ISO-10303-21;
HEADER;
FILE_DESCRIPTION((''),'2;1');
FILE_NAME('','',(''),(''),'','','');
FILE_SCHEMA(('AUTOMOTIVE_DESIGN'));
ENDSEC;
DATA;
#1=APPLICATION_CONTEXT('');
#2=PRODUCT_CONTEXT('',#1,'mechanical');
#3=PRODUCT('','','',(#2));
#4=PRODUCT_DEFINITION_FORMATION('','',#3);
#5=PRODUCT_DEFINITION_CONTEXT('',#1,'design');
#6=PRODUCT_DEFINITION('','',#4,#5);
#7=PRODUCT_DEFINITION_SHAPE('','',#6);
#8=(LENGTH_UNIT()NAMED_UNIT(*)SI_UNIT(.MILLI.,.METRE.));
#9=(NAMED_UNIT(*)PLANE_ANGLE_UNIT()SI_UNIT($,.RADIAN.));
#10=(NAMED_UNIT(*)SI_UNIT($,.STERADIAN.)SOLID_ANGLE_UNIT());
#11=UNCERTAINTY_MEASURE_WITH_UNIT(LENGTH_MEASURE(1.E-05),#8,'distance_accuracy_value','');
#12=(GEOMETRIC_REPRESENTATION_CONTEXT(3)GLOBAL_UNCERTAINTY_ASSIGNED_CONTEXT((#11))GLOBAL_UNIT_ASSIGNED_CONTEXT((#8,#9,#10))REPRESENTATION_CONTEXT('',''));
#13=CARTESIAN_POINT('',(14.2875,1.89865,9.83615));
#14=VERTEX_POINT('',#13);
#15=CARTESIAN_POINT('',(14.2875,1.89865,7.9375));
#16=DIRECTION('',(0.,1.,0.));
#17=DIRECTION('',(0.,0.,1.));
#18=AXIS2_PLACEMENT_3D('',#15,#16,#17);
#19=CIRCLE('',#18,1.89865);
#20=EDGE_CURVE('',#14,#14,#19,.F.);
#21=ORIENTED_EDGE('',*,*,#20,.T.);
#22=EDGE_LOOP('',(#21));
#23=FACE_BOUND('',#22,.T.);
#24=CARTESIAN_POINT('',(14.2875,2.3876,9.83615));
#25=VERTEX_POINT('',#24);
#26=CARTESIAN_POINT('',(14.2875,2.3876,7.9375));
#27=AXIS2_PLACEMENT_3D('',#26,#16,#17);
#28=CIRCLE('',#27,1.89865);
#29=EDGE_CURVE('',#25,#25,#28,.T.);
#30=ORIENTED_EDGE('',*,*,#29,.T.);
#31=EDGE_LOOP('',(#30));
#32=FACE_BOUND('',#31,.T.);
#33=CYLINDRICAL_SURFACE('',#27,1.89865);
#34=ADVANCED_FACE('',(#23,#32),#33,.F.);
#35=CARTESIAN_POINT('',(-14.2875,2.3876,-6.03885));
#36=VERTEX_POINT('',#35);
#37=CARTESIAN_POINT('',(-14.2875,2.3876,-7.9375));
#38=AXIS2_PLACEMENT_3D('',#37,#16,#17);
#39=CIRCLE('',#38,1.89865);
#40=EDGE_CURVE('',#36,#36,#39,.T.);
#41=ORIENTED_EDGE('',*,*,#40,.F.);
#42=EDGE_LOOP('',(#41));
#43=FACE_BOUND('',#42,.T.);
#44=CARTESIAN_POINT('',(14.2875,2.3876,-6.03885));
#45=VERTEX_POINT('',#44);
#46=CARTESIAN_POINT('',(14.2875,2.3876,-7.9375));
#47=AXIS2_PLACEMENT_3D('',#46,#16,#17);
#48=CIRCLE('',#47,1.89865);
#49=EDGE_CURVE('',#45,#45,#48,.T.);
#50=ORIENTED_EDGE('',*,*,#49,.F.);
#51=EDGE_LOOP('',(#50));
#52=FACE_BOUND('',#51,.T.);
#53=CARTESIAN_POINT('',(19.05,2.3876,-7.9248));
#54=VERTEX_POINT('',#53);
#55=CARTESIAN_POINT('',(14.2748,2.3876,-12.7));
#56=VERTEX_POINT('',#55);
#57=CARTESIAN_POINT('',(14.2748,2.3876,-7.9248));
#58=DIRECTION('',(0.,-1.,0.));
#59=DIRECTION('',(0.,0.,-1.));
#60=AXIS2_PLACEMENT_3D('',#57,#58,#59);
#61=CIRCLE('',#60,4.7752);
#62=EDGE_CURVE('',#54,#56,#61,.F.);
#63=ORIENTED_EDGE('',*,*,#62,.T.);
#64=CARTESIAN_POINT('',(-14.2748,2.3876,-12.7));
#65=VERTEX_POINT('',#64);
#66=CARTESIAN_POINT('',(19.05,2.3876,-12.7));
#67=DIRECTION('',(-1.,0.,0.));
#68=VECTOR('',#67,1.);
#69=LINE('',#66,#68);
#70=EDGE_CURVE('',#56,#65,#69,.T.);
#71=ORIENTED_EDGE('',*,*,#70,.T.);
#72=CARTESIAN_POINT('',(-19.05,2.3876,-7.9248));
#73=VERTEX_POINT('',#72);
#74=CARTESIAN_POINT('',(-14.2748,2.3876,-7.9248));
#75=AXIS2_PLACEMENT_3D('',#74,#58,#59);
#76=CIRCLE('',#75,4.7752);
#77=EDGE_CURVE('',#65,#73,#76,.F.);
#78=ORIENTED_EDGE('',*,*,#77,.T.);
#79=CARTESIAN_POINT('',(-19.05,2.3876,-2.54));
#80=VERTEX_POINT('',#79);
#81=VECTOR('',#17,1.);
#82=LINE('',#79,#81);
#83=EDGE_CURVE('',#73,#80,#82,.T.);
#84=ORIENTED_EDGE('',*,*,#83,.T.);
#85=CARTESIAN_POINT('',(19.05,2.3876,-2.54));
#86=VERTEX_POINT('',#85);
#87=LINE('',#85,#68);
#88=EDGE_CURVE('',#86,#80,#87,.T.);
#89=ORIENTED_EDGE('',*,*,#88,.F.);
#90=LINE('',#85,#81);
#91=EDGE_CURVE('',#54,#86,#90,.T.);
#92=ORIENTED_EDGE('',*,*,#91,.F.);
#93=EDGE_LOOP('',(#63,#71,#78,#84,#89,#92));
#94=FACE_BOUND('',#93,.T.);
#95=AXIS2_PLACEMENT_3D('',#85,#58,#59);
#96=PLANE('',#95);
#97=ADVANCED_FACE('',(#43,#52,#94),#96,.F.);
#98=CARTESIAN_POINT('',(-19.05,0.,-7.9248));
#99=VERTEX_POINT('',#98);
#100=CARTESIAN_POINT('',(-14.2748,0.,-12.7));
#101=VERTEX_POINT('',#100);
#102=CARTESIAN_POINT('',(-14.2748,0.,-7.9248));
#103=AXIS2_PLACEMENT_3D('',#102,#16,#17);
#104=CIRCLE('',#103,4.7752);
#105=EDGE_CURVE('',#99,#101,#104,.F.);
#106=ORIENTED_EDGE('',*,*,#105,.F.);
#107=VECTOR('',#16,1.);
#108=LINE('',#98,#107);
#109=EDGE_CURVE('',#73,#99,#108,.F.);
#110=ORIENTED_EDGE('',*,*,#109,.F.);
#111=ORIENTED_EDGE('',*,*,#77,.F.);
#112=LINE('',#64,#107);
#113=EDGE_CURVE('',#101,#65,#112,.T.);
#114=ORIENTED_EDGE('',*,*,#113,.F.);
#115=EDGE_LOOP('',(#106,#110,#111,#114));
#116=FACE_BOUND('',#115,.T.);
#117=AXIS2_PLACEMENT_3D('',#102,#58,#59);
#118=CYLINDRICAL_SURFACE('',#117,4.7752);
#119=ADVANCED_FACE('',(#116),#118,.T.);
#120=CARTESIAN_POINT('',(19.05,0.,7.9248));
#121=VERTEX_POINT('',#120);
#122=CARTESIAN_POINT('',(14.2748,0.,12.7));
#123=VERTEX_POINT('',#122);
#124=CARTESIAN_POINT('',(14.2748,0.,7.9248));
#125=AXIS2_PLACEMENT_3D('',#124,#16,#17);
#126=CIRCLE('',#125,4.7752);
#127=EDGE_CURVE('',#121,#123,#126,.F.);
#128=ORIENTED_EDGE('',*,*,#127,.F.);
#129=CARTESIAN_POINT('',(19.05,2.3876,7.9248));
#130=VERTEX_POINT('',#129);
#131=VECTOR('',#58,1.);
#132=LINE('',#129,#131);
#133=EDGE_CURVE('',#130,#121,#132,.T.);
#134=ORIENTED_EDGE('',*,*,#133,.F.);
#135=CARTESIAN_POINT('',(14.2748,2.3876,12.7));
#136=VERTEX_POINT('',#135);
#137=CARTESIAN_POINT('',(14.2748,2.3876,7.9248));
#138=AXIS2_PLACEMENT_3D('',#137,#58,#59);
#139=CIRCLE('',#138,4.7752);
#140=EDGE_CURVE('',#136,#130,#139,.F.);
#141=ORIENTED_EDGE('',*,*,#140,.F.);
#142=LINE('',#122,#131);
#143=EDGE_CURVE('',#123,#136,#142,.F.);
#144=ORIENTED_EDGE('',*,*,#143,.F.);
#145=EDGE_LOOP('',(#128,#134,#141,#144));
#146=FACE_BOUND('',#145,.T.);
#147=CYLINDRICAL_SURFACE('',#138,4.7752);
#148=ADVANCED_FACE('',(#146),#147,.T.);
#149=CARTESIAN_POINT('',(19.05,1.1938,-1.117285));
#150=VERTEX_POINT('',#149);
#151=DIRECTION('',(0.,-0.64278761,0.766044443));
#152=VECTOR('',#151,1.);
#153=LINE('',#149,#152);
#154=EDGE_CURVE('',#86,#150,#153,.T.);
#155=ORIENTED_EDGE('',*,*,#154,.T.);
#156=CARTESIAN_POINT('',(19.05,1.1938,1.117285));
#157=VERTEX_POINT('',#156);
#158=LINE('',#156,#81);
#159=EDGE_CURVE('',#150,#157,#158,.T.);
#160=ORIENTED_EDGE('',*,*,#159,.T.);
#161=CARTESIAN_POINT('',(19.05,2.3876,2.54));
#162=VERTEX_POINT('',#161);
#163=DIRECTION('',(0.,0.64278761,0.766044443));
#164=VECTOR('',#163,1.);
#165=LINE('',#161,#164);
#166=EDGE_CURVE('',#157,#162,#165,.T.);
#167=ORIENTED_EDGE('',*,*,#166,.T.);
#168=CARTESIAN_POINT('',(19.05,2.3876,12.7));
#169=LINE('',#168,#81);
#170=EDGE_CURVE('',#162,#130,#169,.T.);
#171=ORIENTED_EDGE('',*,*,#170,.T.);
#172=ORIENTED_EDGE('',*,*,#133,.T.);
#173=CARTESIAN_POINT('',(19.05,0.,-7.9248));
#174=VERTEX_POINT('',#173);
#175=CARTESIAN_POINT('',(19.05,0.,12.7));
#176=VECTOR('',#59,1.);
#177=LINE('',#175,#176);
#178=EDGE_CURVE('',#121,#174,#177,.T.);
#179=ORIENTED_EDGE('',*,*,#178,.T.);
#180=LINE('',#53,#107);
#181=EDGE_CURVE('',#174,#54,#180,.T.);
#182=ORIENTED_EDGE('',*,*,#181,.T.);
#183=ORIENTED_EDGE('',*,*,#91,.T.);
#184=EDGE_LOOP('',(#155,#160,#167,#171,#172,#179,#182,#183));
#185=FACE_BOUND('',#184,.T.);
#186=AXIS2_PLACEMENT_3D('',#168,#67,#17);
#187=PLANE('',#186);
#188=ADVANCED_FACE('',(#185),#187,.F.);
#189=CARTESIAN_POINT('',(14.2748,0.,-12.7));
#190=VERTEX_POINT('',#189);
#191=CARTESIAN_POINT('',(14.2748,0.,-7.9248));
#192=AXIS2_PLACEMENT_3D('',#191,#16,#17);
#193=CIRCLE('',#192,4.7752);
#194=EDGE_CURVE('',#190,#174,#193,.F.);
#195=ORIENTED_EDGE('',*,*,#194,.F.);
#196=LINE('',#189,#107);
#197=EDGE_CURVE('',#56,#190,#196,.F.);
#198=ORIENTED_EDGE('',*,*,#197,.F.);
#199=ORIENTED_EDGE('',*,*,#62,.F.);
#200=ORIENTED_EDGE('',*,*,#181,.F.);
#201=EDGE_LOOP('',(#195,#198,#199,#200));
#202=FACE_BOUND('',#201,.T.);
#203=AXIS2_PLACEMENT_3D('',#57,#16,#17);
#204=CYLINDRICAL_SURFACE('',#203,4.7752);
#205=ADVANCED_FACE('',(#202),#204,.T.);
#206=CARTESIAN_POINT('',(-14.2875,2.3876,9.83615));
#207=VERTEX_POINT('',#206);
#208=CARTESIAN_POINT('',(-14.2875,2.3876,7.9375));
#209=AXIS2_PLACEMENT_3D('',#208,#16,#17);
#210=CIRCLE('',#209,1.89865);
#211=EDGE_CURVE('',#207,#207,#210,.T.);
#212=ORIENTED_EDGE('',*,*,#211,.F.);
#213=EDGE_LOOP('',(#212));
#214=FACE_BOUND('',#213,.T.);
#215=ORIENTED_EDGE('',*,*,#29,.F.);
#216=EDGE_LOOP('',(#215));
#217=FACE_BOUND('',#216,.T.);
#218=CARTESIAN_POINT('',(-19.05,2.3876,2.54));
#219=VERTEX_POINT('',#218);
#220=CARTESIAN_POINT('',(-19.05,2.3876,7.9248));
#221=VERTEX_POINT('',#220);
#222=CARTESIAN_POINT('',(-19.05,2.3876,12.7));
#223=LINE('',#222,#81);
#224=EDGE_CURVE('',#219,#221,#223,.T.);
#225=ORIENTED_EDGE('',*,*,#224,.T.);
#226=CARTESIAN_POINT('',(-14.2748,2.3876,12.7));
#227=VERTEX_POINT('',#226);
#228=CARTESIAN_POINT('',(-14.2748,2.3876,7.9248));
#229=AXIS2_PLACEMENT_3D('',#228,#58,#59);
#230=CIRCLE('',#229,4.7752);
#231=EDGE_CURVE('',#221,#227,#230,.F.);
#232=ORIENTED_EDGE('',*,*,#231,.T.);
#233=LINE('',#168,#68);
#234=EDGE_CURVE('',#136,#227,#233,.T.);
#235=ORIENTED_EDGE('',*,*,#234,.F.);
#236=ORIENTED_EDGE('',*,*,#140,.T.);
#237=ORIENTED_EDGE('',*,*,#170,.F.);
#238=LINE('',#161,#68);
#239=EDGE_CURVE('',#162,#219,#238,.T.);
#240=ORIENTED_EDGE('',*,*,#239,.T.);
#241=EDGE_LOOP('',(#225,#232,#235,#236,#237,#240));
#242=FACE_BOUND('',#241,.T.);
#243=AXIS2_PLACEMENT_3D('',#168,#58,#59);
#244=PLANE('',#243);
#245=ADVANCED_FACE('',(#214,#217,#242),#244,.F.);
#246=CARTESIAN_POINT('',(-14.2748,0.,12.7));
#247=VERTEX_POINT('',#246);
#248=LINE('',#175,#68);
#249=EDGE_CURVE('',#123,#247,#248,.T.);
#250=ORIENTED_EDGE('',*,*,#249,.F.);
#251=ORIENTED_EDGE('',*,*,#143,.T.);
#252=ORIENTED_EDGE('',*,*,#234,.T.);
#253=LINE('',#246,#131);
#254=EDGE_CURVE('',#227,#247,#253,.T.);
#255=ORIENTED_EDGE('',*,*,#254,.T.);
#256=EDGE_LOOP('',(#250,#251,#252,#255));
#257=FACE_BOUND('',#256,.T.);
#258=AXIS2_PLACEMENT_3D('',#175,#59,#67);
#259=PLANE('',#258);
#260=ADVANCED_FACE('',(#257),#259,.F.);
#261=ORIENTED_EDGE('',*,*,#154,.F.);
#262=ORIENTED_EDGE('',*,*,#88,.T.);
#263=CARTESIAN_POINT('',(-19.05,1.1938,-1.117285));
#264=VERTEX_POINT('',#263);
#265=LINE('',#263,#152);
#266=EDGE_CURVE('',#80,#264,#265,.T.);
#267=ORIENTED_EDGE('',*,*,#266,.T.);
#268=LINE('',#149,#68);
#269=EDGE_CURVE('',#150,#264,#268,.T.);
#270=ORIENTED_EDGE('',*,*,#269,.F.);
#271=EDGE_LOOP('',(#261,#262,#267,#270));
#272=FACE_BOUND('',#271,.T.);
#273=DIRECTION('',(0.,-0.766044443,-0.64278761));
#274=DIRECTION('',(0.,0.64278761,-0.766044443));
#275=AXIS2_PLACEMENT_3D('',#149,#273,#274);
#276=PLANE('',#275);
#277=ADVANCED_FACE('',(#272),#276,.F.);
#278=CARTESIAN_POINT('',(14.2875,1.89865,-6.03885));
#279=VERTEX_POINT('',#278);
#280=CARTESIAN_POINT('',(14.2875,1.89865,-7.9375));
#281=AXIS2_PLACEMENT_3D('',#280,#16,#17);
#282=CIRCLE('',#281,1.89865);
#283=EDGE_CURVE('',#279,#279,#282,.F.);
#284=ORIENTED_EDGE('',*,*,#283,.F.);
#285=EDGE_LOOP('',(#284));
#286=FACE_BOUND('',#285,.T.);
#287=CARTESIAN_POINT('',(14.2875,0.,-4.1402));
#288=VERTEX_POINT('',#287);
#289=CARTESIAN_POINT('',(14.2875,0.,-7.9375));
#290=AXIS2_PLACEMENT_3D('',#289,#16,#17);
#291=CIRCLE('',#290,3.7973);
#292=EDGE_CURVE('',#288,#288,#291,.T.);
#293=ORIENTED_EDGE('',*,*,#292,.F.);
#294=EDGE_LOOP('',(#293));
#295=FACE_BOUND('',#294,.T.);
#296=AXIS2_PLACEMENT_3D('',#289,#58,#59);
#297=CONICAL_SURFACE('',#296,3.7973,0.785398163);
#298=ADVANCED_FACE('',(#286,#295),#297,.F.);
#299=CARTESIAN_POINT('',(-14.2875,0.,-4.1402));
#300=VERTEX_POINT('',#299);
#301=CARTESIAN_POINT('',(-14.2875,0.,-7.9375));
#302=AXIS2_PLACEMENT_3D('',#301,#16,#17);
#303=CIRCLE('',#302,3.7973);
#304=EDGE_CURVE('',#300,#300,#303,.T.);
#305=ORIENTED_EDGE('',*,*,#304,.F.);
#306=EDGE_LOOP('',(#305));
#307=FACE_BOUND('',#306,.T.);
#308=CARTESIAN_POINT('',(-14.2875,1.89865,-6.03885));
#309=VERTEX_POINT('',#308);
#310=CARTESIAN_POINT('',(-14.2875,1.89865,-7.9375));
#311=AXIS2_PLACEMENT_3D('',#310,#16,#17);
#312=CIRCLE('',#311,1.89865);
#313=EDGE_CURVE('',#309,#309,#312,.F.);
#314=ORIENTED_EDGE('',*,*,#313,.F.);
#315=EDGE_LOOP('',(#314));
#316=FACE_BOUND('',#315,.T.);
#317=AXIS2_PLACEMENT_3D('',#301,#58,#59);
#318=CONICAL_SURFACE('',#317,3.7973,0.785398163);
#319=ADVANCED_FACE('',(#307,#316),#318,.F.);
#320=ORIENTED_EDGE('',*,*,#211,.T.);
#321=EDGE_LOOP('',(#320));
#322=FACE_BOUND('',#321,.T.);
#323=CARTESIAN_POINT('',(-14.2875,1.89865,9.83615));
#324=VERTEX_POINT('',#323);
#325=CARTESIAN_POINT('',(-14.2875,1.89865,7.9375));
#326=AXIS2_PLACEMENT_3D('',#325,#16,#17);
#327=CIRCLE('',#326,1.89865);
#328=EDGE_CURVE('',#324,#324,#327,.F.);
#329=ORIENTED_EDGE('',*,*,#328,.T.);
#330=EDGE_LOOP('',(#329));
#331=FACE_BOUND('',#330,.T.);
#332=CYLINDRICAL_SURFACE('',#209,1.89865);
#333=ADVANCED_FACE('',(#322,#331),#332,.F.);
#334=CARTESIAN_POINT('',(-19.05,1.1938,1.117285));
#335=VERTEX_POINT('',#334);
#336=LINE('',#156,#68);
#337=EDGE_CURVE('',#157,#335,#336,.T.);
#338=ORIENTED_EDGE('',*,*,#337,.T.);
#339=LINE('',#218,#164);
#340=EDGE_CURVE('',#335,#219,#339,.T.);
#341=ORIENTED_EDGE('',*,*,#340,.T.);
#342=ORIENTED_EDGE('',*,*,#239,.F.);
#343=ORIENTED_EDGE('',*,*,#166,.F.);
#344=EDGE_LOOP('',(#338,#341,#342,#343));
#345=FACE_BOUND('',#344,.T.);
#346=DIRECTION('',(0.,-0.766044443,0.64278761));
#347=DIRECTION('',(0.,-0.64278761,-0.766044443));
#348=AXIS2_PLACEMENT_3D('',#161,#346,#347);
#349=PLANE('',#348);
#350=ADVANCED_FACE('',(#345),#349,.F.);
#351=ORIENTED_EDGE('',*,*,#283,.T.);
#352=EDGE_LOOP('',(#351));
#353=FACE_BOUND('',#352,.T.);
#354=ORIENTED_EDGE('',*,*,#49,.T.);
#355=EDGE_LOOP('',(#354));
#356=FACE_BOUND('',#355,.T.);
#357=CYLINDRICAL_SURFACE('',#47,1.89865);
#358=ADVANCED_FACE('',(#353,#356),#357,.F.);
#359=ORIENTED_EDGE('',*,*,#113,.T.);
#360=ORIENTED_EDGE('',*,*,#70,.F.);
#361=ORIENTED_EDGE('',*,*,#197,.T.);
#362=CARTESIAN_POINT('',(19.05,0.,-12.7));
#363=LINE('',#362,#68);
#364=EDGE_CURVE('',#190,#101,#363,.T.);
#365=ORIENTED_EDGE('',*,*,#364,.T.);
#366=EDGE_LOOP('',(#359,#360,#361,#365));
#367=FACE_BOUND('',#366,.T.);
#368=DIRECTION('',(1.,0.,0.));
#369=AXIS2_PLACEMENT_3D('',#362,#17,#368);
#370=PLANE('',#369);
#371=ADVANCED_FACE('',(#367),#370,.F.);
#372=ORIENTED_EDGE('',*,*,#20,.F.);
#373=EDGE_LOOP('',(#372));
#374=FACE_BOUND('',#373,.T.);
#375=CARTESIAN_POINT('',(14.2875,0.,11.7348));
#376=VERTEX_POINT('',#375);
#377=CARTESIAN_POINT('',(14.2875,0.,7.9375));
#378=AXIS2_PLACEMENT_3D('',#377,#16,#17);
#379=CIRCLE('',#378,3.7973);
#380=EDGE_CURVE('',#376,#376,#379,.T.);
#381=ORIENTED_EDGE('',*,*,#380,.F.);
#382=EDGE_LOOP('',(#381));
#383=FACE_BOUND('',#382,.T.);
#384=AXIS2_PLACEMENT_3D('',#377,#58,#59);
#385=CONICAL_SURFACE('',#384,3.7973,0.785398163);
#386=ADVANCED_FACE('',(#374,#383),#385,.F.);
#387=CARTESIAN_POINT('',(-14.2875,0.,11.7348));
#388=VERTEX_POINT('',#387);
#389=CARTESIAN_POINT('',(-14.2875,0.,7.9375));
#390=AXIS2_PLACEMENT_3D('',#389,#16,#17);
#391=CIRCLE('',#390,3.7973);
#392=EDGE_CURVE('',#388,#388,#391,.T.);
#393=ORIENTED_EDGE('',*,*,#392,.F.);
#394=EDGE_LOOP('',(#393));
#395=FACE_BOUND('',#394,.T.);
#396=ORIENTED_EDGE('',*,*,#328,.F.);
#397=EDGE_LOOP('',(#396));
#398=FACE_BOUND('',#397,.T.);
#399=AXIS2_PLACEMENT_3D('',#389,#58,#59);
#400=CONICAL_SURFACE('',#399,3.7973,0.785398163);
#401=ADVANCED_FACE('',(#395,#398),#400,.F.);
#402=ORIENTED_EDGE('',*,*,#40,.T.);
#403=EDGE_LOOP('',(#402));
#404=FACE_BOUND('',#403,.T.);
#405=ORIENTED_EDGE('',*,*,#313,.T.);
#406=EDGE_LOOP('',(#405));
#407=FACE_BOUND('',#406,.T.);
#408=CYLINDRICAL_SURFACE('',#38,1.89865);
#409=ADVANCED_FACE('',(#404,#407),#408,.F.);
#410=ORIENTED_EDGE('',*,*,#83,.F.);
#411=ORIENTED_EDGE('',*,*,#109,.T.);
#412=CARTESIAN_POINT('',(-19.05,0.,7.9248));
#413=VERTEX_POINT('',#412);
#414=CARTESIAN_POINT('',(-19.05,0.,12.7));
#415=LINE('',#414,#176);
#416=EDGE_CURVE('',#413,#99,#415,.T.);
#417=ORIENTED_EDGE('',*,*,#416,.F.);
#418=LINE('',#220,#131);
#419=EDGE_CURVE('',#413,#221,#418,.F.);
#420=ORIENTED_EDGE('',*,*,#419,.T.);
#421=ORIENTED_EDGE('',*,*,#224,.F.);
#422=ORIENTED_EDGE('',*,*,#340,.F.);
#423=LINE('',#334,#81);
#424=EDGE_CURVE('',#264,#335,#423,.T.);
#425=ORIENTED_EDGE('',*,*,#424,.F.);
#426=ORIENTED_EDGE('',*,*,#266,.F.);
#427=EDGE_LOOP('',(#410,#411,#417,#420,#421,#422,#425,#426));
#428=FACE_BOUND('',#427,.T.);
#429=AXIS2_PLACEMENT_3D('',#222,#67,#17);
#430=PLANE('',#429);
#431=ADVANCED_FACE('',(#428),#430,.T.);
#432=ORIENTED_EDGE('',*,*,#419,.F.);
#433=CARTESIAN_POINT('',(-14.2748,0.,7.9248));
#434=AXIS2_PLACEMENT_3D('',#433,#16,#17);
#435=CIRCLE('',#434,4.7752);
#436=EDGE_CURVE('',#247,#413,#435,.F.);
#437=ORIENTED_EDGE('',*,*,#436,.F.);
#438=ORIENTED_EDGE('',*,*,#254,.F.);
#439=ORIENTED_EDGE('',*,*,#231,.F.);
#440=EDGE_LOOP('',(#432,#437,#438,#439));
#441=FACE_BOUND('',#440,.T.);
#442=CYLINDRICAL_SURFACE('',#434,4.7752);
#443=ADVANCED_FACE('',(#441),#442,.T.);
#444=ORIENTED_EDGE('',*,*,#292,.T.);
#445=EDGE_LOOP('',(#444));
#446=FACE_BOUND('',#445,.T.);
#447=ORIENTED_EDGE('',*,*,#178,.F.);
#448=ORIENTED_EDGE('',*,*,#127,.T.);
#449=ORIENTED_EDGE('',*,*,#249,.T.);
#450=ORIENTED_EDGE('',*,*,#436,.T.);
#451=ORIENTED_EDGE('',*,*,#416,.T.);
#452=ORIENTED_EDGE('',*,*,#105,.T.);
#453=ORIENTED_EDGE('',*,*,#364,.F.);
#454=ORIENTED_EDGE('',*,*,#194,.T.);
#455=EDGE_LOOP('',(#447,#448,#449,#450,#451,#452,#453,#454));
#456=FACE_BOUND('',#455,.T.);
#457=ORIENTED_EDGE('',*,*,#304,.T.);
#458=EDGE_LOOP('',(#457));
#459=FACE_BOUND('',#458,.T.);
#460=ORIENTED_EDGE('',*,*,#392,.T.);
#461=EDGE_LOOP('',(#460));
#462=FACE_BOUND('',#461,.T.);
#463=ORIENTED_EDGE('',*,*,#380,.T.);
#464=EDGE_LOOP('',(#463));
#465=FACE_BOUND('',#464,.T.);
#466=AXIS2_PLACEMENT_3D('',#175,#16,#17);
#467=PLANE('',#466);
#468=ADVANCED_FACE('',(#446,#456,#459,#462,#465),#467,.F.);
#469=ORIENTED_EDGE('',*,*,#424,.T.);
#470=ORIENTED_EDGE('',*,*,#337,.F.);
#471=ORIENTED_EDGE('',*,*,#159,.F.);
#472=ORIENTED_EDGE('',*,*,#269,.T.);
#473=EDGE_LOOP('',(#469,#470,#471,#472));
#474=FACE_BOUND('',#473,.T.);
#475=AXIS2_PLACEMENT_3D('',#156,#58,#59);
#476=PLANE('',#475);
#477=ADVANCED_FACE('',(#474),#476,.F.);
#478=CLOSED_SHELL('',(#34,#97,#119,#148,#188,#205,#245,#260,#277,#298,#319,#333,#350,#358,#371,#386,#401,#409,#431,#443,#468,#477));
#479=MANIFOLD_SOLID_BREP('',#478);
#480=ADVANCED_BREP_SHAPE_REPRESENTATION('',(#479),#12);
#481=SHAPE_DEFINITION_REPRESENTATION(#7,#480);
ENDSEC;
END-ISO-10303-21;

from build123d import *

# Parameters (mm, degrees)
EXTRUDE1_DEPTH                                = 19.05
CSK_FOR_6_FLAT_HEAD_MACHINE_SCREW1_AT_2_COUNT = 2
CSK_FOR_6_FLAT_HEAD_MACHINE_SCREW1_AT_2_PITCH = 32.688625698
CSK_FOR_6_FLAT_HEAD_MACHINE_SCREW1_AT_3_COUNT = 2
CSK_FOR_6_FLAT_HEAD_MACHINE_SCREW1_AT_3_PITCH = 28.575
CSK_FOR_6_FLAT_HEAD_MACHINE_SCREW1_AT_4_COUNT = 2
CSK_FOR_6_FLAT_HEAD_MACHINE_SCREW1_AT_4_PITCH = 15.875
FILLET1_R                                     = 4.7752
SKETCH6_R                                     = 3.5433
SKETCH6_R_2                                   = 1.89865
BOSS_EXTRUDE1_DEPTH                           = 2.3876
CHAMFER1_SIZE                                 = 1.89865


with BuildPart() as part:
    # Sketch2 → Extrude1 (new, symmetric)
    with BuildSketch(Plane(origin=(0, 0, 0), x_dir=(0, 0, -1), z_dir=(1, 0, 0))):
        Polygon((-12.7, 2.3876), (-2.54, 2.3876), (-1.117284561, 1.1938), (1.117284561, 1.1938), (2.54, 2.3876), (12.7, 2.3876), (12.7, 0), (-12.7, 0), align=None)
    extrude(amount=EXTRUDE1_DEPTH, both=True)

    # Sketch5 → CSK for #6 Flat Head Machine Screw1 (revolve, cut)
    with BuildSketch(Plane(origin=(-14.2875, 2.3876, 7.9375), x_dir=(0, 0, 1), z_dir=(1, 0, 0))):
        Polygon((0, 0), (0, 2.3876), (1.89865, 2.3876), (1.89865, 1.891953401), (3.5433, 0), align=None)
    csk_for_6_flat_head_machine_screw1 = revolve(axis=Axis((-14.2875, 8.7376, 7.9375), (0, -1, 0)), mode=Mode.SUBTRACT)

    # CSK for #6 Flat Head Machine Screw1 at 2: CSK for #6 Flat Head Machine Screw1 ×2
    with Locations(*[Vector(0.8741572761215377, 0, -0.4856429311786321) * (i * CSK_FOR_6_FLAT_HEAD_MACHINE_SCREW1_AT_2_PITCH) for i in range(1, CSK_FOR_6_FLAT_HEAD_MACHINE_SCREW1_AT_2_COUNT)]):
        add(csk_for_6_flat_head_machine_screw1, mode=Mode.SUBTRACT)

    # CSK for #6 Flat Head Machine Screw1 at 3: CSK for #6 Flat Head Machine Screw1 ×2
    with Locations(*[(i * CSK_FOR_6_FLAT_HEAD_MACHINE_SCREW1_AT_3_PITCH, 0, 0) for i in range(1, CSK_FOR_6_FLAT_HEAD_MACHINE_SCREW1_AT_3_COUNT)]):
        add(csk_for_6_flat_head_machine_screw1, mode=Mode.SUBTRACT)

    # CSK for #6 Flat Head Machine Screw1 at 4: CSK for #6 Flat Head Machine Screw1 ×2
    with Locations(*[(0, 0, -i * CSK_FOR_6_FLAT_HEAD_MACHINE_SCREW1_AT_4_PITCH) for i in range(1, CSK_FOR_6_FLAT_HEAD_MACHINE_SCREW1_AT_4_COUNT)]):
        add(csk_for_6_flat_head_machine_screw1, mode=Mode.SUBTRACT)

    # Fillet1
    fillet1_edges = [part.edges().sort_by_distance(p)[0] for p in [
        (19.05, 1.1938, -12.7),
        (-19.05, 1.1938, 12.7),
        (19.05, 1.1938, 12.7),
        (-19.05, 1.1938, -12.7),
    ]]
    fillet(fillet1_edges, radius=FILLET1_R)

    # Sketch6 → Boss-Extrude1 (add)
    # profile 1 of 4: a face of its own
    with BuildSketch(Plane(origin=(0, 2.3876, 0), x_dir=(1, 0, 0), z_dir=(0, 1, 0))):
        with Locations((-14.2875, -7.9375)):
            Circle(SKETCH6_R)
        with Locations(Location((-14.2875, -7.9375, 0), (0, 0, 270))):
            Circle(SKETCH6_R_2, mode=Mode.SUBTRACT)
    # profile 2 of 4: a face of its own
    with BuildSketch(Plane(origin=(0, 2.3876, 0), x_dir=(1, 0, 0), z_dir=(0, 1, 0))):
        with Locations((-14.2875, 7.9375)):
            Circle(SKETCH6_R)
        with Locations(Location((-14.2875, 7.9375, 0), (0, 0, 270))):
            Circle(SKETCH6_R_2, mode=Mode.SUBTRACT)
    # profile 3 of 4: a face of its own
    with BuildSketch(Plane(origin=(0, 2.3876, 0), x_dir=(1, 0, 0), z_dir=(0, 1, 0))):
        with Locations((14.2875, -7.9375)):
            Circle(SKETCH6_R)
        with Locations(Location((14.2875, -7.9375, 0), (0, 0, 270))):
            Circle(SKETCH6_R_2, mode=Mode.SUBTRACT)
    # profile 4 of 4: a face of its own
    with BuildSketch(Plane(origin=(0, 2.3876, 0), x_dir=(1, 0, 0), z_dir=(0, 1, 0))):
        with Locations((14.2875, 7.9375)):
            Circle(SKETCH6_R)
        with Locations(Location((14.2875, 7.9375, 0), (0, 0, 270))):
            Circle(SKETCH6_R_2, mode=Mode.SUBTRACT)
    extrude(amount=-BOSS_EXTRUDE1_DEPTH)

    # Chamfer1
    chamfer1_edges = [part.edges().sort_by_distance(p)[0] for p in [
        (-14.2875, 0, -9.83615),
        (14.2875, 0, 6.03885),
        (14.2875, 0, -9.83615),
        (-14.2875, 0, 6.03885),
    ]]
    chamfer(chamfer1_edges, length=CHAMFER1_SIZE)


solid = part.part
